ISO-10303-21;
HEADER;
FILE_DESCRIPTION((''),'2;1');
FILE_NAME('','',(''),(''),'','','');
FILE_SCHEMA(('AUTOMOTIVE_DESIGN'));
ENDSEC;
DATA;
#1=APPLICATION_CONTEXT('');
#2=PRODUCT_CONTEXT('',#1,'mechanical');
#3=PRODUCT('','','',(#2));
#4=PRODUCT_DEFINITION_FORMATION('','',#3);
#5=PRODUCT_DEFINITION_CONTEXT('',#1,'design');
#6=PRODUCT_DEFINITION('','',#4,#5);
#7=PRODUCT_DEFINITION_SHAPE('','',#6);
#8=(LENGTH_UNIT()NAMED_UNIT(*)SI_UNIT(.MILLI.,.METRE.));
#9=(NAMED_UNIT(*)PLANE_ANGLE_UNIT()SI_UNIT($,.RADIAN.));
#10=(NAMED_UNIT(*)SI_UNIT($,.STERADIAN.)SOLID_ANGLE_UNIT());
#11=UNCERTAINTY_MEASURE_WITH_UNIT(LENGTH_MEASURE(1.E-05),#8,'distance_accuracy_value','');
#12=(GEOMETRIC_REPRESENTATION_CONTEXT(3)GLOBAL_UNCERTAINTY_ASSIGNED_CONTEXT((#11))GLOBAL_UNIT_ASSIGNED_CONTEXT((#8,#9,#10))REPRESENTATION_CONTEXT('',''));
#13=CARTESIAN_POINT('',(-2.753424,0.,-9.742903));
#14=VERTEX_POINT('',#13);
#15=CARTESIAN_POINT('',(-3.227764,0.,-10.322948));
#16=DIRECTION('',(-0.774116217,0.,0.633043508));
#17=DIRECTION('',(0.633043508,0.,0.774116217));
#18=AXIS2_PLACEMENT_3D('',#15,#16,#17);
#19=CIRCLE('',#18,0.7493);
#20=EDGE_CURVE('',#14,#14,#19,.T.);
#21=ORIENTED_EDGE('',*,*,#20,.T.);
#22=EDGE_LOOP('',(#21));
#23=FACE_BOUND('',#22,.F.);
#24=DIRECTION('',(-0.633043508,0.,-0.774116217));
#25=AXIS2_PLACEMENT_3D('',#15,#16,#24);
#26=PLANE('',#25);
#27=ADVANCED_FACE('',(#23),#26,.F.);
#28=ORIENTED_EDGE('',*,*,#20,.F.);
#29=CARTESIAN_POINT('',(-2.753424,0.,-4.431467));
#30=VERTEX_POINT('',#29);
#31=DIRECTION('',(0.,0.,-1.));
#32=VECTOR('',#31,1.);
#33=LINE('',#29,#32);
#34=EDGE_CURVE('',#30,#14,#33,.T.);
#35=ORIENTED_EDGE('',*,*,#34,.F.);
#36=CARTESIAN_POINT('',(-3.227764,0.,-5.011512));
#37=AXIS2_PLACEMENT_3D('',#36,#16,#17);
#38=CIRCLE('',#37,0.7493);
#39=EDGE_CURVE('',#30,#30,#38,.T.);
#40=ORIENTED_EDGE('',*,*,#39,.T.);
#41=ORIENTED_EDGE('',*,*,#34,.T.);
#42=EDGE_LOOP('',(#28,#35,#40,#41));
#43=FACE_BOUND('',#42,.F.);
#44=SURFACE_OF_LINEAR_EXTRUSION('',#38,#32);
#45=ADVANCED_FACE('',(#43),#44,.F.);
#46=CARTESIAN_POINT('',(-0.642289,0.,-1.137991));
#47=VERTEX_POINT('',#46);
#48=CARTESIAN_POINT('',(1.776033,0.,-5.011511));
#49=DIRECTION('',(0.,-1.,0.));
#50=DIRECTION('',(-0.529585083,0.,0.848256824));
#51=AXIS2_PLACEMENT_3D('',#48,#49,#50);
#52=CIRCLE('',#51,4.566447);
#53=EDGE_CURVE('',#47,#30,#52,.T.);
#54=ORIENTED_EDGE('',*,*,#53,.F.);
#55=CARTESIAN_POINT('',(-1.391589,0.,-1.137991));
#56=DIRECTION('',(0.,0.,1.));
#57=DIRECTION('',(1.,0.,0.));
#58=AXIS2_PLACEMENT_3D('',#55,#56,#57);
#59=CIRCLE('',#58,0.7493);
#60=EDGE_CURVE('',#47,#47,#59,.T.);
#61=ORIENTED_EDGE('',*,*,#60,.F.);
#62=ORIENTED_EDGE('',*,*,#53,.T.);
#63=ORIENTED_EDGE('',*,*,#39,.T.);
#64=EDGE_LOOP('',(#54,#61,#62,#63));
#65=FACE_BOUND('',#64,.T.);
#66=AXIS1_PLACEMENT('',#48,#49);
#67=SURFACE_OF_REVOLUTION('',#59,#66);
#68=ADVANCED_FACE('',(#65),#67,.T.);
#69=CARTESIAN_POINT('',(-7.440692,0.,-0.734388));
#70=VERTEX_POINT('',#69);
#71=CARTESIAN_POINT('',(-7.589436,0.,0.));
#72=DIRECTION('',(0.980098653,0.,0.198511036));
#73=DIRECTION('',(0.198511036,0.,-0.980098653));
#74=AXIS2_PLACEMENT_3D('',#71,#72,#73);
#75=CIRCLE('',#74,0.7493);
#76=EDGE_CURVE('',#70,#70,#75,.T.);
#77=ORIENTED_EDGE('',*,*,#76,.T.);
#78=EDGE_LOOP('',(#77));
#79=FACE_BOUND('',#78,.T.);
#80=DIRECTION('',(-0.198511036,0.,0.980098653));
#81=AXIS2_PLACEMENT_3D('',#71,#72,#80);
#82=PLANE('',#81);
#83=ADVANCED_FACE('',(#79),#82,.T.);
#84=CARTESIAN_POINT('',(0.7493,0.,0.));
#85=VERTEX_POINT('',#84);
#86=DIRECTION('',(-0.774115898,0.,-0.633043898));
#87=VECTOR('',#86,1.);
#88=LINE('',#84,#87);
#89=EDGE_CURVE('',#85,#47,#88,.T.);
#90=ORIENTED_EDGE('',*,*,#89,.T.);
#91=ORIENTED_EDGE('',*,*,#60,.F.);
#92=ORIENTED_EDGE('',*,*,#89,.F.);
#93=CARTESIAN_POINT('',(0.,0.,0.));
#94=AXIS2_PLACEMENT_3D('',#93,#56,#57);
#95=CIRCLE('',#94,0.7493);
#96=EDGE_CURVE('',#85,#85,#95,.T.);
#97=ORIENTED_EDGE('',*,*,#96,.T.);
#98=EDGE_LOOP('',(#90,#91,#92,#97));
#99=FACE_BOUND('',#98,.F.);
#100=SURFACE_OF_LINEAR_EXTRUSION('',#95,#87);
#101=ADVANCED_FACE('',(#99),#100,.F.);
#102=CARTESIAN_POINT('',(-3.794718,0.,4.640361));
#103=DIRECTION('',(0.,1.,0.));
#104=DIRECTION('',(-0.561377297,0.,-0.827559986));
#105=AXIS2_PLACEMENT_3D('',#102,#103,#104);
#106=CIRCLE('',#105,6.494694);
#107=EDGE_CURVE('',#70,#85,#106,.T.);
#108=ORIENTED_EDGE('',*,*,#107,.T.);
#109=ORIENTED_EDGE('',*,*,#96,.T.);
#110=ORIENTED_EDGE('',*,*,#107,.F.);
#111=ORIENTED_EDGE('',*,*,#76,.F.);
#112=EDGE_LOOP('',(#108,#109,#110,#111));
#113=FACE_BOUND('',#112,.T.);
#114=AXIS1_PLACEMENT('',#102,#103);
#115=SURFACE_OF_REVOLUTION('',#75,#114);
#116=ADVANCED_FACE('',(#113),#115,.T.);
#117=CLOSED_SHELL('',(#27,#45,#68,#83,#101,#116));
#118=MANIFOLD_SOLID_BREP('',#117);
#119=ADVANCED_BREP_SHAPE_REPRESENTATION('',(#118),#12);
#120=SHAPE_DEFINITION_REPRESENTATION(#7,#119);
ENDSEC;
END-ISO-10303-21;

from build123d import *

# Parameters (mm, degrees)
F1_R = 0.7493


with BuildPart() as f2:
    # F2: sweep along a path in F0
    with BuildLine(Plane.XZ) as f2_path:
        ThreePointArc((-7.589436, 0), (-3.794718, 10.634761), (0, 0))
        Line((0, 0), (-1.391589, -1.137991))
        ThreePointArc((-1.391589, -1.137991), (-2.745478, -2.868167), (-3.227764, -5.011512))
        Line((-3.227764, -5.011512), (-3.227764, -10.322948))
    # F1 (on Top) → F2 (sweep)
    with BuildSketch(Plane.XY):
        Circle(F1_R)
    sweep(path=f2_path.line)


solid = f2.part
